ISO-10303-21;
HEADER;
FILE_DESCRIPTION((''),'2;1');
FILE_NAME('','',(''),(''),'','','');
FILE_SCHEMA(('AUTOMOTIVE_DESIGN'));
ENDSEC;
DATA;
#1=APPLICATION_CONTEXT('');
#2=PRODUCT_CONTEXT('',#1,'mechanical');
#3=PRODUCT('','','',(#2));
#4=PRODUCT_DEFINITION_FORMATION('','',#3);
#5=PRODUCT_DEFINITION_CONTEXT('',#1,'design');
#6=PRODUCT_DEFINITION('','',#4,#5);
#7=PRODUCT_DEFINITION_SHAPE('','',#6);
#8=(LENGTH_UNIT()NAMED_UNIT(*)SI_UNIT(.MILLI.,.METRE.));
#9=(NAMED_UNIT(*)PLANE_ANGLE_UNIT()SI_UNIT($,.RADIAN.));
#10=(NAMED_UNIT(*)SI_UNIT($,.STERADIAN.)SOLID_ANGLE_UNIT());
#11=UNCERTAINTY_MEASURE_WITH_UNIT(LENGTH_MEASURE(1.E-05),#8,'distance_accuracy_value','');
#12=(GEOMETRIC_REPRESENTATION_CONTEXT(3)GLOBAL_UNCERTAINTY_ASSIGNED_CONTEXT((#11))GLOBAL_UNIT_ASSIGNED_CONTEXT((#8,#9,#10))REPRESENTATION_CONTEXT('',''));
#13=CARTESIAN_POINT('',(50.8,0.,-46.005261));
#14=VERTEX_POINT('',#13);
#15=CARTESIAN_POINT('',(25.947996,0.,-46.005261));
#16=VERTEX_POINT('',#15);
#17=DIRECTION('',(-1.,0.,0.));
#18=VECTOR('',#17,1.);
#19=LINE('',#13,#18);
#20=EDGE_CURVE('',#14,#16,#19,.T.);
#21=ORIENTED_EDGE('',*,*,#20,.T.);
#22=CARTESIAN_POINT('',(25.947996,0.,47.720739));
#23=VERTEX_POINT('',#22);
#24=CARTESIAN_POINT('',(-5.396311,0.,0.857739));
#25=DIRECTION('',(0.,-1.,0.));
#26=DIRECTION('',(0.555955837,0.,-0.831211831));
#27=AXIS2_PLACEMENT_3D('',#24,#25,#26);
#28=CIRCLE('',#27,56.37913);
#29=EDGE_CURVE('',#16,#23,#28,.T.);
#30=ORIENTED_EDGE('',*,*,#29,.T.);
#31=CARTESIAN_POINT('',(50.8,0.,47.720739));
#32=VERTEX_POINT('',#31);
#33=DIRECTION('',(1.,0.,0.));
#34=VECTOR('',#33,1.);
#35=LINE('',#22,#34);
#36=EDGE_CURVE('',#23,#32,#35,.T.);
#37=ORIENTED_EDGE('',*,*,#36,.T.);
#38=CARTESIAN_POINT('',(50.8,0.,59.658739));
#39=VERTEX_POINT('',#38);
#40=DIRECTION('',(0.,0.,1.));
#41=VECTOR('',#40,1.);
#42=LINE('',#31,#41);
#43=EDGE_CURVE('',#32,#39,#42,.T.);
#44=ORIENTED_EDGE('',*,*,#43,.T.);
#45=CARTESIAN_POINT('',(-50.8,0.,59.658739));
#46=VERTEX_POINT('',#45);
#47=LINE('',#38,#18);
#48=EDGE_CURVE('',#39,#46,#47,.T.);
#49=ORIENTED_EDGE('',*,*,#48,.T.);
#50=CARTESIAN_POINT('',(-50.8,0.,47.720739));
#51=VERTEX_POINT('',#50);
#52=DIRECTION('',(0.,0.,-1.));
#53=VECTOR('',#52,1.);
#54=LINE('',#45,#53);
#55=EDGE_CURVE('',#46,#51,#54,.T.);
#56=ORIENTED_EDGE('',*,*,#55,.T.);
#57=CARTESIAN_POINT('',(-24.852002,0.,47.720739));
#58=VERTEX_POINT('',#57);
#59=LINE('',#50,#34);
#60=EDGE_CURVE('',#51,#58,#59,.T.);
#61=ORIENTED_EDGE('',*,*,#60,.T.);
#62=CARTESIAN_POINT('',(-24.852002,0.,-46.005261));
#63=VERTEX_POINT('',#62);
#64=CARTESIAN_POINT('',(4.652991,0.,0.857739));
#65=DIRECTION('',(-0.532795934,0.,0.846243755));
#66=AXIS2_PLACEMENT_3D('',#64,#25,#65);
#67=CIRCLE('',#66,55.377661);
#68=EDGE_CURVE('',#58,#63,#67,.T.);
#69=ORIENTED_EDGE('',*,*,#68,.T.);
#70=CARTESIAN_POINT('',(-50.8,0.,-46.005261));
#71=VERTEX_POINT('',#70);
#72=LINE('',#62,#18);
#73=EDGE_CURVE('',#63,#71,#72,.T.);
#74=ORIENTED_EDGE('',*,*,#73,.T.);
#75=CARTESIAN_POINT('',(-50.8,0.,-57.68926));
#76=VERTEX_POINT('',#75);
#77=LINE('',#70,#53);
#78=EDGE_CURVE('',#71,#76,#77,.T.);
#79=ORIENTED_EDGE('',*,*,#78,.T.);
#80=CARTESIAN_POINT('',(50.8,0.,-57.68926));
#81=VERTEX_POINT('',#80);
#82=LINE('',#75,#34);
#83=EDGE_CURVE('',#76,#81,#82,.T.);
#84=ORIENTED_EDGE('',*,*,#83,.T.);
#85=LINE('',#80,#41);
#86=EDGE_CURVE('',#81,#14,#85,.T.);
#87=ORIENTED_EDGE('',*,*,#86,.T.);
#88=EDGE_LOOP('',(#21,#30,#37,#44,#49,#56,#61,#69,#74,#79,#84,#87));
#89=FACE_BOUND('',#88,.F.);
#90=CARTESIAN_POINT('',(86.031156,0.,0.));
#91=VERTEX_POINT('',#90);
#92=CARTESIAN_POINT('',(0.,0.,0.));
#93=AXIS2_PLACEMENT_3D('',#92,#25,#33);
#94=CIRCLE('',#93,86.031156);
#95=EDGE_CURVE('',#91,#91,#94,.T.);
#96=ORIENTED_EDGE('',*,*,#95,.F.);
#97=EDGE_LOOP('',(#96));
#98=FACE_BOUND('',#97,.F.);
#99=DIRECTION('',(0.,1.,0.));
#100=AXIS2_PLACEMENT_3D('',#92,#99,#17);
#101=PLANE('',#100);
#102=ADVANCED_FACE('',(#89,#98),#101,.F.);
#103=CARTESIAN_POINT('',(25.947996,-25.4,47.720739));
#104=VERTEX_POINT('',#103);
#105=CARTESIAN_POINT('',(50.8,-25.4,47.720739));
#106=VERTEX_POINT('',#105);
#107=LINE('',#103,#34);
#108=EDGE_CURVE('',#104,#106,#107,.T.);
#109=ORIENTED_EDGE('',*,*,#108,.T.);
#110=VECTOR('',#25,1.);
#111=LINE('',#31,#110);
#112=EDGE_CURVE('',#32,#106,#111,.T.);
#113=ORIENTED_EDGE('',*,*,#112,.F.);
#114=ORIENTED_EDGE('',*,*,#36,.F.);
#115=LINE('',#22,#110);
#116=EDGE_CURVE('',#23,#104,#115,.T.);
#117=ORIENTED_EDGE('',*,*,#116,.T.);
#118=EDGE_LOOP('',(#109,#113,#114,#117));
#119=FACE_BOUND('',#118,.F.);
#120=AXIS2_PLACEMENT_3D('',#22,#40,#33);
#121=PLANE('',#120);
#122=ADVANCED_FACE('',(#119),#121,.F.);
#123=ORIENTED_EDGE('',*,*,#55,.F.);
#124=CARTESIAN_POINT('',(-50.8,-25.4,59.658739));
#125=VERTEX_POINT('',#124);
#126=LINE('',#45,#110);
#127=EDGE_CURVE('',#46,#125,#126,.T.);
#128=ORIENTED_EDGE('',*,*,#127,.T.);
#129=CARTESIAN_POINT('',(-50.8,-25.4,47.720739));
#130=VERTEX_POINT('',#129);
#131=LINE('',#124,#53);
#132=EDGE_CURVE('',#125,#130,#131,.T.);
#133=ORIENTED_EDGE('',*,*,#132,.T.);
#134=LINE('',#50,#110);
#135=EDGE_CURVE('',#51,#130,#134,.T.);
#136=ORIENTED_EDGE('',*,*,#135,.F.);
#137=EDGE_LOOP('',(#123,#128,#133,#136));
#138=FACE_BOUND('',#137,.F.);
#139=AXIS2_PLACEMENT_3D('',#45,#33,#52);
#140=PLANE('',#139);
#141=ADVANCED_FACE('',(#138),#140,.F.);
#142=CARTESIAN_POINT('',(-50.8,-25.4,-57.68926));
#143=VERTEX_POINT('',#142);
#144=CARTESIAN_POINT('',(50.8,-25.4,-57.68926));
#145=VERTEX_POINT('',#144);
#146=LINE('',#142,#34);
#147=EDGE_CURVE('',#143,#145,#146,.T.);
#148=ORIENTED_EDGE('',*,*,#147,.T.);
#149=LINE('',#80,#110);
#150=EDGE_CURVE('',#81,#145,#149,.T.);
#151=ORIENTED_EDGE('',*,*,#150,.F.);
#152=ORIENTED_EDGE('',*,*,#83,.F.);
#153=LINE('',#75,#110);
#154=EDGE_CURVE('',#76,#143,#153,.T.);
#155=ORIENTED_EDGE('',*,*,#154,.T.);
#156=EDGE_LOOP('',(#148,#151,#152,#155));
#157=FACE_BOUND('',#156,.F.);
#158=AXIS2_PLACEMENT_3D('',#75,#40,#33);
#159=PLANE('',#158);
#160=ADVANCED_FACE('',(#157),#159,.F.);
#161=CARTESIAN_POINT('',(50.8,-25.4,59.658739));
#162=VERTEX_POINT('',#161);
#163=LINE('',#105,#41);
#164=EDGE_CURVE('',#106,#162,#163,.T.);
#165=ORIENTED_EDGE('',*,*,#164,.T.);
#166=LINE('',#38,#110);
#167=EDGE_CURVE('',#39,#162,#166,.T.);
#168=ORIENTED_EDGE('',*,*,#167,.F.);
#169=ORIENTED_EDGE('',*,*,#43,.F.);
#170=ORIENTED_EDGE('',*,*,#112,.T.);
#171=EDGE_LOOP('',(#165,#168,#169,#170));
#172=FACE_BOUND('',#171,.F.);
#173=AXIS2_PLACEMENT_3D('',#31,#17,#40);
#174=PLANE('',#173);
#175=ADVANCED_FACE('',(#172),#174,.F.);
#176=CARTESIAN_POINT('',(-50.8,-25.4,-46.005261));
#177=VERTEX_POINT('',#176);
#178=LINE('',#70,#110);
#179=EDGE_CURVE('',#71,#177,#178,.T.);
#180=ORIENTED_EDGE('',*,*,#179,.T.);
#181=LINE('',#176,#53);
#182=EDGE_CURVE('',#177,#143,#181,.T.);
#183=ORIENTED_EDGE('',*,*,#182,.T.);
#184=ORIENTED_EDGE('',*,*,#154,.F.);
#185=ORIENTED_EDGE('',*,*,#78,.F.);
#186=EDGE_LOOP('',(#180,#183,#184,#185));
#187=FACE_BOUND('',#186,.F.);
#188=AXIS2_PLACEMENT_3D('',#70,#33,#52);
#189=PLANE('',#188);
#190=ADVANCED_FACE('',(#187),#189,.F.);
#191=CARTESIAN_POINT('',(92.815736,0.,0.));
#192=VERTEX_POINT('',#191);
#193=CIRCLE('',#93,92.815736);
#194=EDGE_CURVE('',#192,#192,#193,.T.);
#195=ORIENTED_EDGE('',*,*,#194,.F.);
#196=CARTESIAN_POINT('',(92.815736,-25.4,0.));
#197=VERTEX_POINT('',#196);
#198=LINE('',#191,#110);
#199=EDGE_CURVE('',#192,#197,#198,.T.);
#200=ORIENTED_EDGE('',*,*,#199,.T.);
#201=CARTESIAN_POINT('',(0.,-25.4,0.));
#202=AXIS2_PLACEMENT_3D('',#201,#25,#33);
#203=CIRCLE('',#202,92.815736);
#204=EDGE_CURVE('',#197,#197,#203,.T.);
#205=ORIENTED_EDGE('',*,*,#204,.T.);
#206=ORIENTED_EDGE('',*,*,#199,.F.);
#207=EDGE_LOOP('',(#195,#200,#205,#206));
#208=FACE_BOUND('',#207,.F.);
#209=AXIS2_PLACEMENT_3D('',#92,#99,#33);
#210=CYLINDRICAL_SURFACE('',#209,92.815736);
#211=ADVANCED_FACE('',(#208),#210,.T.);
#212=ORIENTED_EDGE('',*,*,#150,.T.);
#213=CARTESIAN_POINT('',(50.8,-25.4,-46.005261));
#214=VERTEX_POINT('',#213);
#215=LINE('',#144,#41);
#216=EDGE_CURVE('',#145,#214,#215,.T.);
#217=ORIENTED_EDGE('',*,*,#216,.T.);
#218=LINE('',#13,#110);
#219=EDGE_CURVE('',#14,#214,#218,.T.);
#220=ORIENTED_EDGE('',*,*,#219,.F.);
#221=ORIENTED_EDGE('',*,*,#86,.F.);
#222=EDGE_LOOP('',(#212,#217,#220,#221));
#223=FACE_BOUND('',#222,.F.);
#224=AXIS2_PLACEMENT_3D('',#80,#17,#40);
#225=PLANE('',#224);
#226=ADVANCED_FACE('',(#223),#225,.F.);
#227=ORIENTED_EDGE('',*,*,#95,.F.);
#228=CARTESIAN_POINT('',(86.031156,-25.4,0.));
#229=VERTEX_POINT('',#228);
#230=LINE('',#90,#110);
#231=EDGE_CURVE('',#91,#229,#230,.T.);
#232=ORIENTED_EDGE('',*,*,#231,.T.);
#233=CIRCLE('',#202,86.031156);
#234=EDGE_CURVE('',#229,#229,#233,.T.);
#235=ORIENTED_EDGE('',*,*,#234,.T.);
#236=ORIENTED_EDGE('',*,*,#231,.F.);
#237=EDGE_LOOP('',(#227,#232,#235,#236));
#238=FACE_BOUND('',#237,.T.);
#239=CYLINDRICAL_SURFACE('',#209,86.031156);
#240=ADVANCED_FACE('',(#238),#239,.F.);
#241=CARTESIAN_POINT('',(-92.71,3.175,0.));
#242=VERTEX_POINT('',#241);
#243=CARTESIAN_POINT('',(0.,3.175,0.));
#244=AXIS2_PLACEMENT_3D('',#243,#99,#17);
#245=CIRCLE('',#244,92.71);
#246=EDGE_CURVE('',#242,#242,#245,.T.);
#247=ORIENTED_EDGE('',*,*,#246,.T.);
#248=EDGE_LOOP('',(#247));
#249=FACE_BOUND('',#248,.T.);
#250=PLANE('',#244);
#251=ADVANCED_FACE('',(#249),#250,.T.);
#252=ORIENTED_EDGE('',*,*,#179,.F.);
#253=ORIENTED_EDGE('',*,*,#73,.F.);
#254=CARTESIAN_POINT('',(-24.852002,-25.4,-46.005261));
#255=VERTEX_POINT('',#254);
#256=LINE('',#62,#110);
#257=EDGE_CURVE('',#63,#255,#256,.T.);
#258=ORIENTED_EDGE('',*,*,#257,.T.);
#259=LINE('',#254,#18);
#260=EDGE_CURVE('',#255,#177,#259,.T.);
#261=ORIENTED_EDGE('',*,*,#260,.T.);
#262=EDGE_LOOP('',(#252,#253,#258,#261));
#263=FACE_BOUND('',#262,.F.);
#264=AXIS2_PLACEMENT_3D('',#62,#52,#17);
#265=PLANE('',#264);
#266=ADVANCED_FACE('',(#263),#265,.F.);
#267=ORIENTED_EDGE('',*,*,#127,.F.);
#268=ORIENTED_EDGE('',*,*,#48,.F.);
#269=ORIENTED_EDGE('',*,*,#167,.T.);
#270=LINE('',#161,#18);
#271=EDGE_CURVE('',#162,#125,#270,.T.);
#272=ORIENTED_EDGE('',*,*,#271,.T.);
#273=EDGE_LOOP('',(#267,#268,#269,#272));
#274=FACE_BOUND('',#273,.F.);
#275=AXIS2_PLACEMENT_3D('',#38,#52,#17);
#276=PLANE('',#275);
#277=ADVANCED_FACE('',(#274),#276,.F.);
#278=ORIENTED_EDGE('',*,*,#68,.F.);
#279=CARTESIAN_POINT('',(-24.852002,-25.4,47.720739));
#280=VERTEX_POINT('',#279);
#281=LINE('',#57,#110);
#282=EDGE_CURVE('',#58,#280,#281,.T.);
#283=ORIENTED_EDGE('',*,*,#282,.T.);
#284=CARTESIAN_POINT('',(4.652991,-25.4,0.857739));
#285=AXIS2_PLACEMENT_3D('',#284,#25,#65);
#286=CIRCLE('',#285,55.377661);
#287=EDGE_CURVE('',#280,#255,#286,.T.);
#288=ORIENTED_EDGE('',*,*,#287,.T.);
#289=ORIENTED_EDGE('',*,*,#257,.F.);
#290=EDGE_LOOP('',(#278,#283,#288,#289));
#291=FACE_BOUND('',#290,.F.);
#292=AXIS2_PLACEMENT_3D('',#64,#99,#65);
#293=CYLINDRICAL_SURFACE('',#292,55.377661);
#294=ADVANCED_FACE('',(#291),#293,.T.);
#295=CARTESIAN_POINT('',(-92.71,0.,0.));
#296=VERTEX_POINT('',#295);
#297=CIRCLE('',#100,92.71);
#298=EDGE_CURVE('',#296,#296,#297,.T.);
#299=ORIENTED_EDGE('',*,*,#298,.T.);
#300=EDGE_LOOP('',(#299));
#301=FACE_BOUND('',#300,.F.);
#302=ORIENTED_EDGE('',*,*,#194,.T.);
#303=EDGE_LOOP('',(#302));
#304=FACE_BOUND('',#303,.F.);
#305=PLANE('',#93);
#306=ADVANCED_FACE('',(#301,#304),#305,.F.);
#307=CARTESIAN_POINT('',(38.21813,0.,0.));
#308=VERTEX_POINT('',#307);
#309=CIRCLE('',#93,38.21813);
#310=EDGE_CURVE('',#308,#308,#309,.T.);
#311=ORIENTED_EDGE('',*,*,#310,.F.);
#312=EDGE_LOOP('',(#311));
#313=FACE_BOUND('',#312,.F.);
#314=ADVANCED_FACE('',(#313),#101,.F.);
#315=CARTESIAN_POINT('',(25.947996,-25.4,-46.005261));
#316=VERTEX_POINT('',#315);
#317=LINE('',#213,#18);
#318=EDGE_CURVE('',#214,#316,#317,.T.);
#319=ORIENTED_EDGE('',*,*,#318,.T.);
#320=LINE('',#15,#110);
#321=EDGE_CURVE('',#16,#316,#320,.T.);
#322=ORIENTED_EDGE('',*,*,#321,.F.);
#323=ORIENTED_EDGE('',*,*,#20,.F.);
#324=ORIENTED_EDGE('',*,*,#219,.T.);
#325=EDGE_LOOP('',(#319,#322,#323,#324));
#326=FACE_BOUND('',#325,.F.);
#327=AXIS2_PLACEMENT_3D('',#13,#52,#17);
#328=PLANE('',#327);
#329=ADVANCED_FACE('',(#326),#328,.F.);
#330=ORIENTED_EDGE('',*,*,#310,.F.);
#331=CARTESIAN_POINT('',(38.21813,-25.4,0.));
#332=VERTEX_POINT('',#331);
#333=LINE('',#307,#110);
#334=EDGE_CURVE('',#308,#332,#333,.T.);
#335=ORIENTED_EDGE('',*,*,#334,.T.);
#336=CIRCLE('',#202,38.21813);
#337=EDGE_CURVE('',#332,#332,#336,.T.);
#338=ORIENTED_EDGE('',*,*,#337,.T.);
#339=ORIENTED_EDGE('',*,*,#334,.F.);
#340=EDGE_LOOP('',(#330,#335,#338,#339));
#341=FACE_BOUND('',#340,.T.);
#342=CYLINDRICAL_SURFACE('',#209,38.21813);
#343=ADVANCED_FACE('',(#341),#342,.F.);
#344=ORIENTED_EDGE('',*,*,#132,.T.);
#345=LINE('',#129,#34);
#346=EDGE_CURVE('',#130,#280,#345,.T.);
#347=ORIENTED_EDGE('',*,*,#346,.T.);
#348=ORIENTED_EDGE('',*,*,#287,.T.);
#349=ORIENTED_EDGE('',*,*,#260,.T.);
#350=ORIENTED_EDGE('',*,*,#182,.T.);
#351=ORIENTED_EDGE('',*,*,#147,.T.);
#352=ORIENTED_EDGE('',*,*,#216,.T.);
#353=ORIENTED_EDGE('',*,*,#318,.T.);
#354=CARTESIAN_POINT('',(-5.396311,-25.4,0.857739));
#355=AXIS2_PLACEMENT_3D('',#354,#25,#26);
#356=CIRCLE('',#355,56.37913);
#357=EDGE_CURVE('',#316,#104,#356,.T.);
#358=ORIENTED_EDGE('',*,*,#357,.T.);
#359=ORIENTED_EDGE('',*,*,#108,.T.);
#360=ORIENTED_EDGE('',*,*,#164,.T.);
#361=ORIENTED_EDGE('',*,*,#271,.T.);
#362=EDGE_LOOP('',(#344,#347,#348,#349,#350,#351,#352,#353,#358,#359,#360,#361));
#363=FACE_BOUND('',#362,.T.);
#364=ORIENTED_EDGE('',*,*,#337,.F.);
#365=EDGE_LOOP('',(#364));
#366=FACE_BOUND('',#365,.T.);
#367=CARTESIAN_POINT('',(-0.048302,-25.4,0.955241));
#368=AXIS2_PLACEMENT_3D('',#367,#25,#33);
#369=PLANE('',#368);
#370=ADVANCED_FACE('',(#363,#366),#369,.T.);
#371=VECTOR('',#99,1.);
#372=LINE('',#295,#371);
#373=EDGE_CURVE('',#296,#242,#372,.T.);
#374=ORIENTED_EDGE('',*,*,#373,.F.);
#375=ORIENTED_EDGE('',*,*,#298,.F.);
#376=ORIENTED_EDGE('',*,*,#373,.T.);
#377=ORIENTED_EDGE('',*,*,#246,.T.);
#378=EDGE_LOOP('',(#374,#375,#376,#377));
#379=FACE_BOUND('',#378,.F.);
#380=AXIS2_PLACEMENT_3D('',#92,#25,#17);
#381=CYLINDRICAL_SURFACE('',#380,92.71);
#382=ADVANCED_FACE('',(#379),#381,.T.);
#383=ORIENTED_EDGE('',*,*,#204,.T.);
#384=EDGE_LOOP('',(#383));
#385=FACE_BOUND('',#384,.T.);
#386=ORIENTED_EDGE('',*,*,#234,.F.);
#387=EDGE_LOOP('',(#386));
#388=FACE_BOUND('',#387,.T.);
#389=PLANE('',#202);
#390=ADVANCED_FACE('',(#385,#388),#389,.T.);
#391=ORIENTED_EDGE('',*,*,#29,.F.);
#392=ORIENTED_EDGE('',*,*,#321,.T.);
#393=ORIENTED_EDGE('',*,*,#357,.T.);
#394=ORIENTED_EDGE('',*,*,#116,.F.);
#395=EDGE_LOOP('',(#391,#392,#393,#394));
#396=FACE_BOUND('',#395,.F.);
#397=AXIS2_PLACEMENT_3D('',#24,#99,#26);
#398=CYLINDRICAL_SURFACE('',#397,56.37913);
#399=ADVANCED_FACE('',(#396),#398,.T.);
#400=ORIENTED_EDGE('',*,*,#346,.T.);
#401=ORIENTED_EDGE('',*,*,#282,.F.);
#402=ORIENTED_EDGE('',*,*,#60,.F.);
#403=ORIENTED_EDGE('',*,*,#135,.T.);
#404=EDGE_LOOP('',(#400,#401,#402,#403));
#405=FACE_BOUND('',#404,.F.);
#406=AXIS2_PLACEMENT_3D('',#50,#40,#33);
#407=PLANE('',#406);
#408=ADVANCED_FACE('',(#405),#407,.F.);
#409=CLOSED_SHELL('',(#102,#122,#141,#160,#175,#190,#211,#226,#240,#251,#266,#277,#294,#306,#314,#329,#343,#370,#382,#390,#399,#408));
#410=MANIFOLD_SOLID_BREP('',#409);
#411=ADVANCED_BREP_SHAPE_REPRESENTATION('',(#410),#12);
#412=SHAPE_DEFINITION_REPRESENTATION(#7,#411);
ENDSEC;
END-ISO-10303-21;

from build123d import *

# Parameters (mm, degrees)
F0_R     = 92.815735633
F0_R_2   = 86.0311555183
F1_DEPTH = 25.4
F0_R_3   = 38.21812987
F2_R     = 92.71
F3_DEPTH = 3.175


with BuildPart() as f1:
    # F0 (on Front) → F1 (new body)
    with BuildSketch(Plane.XZ):
        Circle(F0_R)
        Circle(F0_R_2, mode=Mode.SUBTRACT)
    extrude(amount=F1_DEPTH)



with BuildPart() as f1b:
    # F0 (on Front) → F1, piece 2 (new body)
    with BuildSketch(Plane.XZ):
        with BuildLine():
            Line((50.8, 59.6587392047), (-50.8, 59.6587392047))
            Line((-50.8, 59.6587392047), (-50.8, 47.720739051))
            Line((-50.8, 47.720739051), (-24.8520022743, 47.720739051))
            ThreePointArc((-24.8520022743, 47.720739051), (-50.7246708671, 0.8577388972), (-24.8520022743, -46.0052612565))
            Line((-24.8520022743, -46.0052612565), (-50.8, -46.0052612565))
            Line((-50.8, -46.0052612565), (-50.8, -57.6892601803))
            Line((-50.8, -57.6892601803), (50.8, -57.6892601803))
            Line((50.8, -57.6892601803), (50.8, -46.0052612565))
            Line((50.8, -46.0052612565), (25.9479958039, -46.0052612565))
            ThreePointArc((25.9479958039, -46.0052612565), (50.9828195519, 0.8577388972), (25.9479958039, 47.720739051))
            Line((25.9479958039, 47.720739051), (50.8, 47.720739051))
            Line((50.8, 47.720739051), (50.8, 59.6587392047))
        make_face()
        Circle(F0_R_3, mode=Mode.SUBTRACT)
    extrude(amount=F1_DEPTH)


with BuildPart() as f1_1:
    add(f1.part)

    add(f1b.part)  # F3 merges F1b
    # F2 (on face) → F3 (join)
    with BuildSketch(Plane(origin=(0, 0, 0), x_dir=(-1, 0, 0), z_dir=(0, 1, 0))):
        Circle(F2_R)
    extrude(amount=F3_DEPTH)


solid = f1_1.part
